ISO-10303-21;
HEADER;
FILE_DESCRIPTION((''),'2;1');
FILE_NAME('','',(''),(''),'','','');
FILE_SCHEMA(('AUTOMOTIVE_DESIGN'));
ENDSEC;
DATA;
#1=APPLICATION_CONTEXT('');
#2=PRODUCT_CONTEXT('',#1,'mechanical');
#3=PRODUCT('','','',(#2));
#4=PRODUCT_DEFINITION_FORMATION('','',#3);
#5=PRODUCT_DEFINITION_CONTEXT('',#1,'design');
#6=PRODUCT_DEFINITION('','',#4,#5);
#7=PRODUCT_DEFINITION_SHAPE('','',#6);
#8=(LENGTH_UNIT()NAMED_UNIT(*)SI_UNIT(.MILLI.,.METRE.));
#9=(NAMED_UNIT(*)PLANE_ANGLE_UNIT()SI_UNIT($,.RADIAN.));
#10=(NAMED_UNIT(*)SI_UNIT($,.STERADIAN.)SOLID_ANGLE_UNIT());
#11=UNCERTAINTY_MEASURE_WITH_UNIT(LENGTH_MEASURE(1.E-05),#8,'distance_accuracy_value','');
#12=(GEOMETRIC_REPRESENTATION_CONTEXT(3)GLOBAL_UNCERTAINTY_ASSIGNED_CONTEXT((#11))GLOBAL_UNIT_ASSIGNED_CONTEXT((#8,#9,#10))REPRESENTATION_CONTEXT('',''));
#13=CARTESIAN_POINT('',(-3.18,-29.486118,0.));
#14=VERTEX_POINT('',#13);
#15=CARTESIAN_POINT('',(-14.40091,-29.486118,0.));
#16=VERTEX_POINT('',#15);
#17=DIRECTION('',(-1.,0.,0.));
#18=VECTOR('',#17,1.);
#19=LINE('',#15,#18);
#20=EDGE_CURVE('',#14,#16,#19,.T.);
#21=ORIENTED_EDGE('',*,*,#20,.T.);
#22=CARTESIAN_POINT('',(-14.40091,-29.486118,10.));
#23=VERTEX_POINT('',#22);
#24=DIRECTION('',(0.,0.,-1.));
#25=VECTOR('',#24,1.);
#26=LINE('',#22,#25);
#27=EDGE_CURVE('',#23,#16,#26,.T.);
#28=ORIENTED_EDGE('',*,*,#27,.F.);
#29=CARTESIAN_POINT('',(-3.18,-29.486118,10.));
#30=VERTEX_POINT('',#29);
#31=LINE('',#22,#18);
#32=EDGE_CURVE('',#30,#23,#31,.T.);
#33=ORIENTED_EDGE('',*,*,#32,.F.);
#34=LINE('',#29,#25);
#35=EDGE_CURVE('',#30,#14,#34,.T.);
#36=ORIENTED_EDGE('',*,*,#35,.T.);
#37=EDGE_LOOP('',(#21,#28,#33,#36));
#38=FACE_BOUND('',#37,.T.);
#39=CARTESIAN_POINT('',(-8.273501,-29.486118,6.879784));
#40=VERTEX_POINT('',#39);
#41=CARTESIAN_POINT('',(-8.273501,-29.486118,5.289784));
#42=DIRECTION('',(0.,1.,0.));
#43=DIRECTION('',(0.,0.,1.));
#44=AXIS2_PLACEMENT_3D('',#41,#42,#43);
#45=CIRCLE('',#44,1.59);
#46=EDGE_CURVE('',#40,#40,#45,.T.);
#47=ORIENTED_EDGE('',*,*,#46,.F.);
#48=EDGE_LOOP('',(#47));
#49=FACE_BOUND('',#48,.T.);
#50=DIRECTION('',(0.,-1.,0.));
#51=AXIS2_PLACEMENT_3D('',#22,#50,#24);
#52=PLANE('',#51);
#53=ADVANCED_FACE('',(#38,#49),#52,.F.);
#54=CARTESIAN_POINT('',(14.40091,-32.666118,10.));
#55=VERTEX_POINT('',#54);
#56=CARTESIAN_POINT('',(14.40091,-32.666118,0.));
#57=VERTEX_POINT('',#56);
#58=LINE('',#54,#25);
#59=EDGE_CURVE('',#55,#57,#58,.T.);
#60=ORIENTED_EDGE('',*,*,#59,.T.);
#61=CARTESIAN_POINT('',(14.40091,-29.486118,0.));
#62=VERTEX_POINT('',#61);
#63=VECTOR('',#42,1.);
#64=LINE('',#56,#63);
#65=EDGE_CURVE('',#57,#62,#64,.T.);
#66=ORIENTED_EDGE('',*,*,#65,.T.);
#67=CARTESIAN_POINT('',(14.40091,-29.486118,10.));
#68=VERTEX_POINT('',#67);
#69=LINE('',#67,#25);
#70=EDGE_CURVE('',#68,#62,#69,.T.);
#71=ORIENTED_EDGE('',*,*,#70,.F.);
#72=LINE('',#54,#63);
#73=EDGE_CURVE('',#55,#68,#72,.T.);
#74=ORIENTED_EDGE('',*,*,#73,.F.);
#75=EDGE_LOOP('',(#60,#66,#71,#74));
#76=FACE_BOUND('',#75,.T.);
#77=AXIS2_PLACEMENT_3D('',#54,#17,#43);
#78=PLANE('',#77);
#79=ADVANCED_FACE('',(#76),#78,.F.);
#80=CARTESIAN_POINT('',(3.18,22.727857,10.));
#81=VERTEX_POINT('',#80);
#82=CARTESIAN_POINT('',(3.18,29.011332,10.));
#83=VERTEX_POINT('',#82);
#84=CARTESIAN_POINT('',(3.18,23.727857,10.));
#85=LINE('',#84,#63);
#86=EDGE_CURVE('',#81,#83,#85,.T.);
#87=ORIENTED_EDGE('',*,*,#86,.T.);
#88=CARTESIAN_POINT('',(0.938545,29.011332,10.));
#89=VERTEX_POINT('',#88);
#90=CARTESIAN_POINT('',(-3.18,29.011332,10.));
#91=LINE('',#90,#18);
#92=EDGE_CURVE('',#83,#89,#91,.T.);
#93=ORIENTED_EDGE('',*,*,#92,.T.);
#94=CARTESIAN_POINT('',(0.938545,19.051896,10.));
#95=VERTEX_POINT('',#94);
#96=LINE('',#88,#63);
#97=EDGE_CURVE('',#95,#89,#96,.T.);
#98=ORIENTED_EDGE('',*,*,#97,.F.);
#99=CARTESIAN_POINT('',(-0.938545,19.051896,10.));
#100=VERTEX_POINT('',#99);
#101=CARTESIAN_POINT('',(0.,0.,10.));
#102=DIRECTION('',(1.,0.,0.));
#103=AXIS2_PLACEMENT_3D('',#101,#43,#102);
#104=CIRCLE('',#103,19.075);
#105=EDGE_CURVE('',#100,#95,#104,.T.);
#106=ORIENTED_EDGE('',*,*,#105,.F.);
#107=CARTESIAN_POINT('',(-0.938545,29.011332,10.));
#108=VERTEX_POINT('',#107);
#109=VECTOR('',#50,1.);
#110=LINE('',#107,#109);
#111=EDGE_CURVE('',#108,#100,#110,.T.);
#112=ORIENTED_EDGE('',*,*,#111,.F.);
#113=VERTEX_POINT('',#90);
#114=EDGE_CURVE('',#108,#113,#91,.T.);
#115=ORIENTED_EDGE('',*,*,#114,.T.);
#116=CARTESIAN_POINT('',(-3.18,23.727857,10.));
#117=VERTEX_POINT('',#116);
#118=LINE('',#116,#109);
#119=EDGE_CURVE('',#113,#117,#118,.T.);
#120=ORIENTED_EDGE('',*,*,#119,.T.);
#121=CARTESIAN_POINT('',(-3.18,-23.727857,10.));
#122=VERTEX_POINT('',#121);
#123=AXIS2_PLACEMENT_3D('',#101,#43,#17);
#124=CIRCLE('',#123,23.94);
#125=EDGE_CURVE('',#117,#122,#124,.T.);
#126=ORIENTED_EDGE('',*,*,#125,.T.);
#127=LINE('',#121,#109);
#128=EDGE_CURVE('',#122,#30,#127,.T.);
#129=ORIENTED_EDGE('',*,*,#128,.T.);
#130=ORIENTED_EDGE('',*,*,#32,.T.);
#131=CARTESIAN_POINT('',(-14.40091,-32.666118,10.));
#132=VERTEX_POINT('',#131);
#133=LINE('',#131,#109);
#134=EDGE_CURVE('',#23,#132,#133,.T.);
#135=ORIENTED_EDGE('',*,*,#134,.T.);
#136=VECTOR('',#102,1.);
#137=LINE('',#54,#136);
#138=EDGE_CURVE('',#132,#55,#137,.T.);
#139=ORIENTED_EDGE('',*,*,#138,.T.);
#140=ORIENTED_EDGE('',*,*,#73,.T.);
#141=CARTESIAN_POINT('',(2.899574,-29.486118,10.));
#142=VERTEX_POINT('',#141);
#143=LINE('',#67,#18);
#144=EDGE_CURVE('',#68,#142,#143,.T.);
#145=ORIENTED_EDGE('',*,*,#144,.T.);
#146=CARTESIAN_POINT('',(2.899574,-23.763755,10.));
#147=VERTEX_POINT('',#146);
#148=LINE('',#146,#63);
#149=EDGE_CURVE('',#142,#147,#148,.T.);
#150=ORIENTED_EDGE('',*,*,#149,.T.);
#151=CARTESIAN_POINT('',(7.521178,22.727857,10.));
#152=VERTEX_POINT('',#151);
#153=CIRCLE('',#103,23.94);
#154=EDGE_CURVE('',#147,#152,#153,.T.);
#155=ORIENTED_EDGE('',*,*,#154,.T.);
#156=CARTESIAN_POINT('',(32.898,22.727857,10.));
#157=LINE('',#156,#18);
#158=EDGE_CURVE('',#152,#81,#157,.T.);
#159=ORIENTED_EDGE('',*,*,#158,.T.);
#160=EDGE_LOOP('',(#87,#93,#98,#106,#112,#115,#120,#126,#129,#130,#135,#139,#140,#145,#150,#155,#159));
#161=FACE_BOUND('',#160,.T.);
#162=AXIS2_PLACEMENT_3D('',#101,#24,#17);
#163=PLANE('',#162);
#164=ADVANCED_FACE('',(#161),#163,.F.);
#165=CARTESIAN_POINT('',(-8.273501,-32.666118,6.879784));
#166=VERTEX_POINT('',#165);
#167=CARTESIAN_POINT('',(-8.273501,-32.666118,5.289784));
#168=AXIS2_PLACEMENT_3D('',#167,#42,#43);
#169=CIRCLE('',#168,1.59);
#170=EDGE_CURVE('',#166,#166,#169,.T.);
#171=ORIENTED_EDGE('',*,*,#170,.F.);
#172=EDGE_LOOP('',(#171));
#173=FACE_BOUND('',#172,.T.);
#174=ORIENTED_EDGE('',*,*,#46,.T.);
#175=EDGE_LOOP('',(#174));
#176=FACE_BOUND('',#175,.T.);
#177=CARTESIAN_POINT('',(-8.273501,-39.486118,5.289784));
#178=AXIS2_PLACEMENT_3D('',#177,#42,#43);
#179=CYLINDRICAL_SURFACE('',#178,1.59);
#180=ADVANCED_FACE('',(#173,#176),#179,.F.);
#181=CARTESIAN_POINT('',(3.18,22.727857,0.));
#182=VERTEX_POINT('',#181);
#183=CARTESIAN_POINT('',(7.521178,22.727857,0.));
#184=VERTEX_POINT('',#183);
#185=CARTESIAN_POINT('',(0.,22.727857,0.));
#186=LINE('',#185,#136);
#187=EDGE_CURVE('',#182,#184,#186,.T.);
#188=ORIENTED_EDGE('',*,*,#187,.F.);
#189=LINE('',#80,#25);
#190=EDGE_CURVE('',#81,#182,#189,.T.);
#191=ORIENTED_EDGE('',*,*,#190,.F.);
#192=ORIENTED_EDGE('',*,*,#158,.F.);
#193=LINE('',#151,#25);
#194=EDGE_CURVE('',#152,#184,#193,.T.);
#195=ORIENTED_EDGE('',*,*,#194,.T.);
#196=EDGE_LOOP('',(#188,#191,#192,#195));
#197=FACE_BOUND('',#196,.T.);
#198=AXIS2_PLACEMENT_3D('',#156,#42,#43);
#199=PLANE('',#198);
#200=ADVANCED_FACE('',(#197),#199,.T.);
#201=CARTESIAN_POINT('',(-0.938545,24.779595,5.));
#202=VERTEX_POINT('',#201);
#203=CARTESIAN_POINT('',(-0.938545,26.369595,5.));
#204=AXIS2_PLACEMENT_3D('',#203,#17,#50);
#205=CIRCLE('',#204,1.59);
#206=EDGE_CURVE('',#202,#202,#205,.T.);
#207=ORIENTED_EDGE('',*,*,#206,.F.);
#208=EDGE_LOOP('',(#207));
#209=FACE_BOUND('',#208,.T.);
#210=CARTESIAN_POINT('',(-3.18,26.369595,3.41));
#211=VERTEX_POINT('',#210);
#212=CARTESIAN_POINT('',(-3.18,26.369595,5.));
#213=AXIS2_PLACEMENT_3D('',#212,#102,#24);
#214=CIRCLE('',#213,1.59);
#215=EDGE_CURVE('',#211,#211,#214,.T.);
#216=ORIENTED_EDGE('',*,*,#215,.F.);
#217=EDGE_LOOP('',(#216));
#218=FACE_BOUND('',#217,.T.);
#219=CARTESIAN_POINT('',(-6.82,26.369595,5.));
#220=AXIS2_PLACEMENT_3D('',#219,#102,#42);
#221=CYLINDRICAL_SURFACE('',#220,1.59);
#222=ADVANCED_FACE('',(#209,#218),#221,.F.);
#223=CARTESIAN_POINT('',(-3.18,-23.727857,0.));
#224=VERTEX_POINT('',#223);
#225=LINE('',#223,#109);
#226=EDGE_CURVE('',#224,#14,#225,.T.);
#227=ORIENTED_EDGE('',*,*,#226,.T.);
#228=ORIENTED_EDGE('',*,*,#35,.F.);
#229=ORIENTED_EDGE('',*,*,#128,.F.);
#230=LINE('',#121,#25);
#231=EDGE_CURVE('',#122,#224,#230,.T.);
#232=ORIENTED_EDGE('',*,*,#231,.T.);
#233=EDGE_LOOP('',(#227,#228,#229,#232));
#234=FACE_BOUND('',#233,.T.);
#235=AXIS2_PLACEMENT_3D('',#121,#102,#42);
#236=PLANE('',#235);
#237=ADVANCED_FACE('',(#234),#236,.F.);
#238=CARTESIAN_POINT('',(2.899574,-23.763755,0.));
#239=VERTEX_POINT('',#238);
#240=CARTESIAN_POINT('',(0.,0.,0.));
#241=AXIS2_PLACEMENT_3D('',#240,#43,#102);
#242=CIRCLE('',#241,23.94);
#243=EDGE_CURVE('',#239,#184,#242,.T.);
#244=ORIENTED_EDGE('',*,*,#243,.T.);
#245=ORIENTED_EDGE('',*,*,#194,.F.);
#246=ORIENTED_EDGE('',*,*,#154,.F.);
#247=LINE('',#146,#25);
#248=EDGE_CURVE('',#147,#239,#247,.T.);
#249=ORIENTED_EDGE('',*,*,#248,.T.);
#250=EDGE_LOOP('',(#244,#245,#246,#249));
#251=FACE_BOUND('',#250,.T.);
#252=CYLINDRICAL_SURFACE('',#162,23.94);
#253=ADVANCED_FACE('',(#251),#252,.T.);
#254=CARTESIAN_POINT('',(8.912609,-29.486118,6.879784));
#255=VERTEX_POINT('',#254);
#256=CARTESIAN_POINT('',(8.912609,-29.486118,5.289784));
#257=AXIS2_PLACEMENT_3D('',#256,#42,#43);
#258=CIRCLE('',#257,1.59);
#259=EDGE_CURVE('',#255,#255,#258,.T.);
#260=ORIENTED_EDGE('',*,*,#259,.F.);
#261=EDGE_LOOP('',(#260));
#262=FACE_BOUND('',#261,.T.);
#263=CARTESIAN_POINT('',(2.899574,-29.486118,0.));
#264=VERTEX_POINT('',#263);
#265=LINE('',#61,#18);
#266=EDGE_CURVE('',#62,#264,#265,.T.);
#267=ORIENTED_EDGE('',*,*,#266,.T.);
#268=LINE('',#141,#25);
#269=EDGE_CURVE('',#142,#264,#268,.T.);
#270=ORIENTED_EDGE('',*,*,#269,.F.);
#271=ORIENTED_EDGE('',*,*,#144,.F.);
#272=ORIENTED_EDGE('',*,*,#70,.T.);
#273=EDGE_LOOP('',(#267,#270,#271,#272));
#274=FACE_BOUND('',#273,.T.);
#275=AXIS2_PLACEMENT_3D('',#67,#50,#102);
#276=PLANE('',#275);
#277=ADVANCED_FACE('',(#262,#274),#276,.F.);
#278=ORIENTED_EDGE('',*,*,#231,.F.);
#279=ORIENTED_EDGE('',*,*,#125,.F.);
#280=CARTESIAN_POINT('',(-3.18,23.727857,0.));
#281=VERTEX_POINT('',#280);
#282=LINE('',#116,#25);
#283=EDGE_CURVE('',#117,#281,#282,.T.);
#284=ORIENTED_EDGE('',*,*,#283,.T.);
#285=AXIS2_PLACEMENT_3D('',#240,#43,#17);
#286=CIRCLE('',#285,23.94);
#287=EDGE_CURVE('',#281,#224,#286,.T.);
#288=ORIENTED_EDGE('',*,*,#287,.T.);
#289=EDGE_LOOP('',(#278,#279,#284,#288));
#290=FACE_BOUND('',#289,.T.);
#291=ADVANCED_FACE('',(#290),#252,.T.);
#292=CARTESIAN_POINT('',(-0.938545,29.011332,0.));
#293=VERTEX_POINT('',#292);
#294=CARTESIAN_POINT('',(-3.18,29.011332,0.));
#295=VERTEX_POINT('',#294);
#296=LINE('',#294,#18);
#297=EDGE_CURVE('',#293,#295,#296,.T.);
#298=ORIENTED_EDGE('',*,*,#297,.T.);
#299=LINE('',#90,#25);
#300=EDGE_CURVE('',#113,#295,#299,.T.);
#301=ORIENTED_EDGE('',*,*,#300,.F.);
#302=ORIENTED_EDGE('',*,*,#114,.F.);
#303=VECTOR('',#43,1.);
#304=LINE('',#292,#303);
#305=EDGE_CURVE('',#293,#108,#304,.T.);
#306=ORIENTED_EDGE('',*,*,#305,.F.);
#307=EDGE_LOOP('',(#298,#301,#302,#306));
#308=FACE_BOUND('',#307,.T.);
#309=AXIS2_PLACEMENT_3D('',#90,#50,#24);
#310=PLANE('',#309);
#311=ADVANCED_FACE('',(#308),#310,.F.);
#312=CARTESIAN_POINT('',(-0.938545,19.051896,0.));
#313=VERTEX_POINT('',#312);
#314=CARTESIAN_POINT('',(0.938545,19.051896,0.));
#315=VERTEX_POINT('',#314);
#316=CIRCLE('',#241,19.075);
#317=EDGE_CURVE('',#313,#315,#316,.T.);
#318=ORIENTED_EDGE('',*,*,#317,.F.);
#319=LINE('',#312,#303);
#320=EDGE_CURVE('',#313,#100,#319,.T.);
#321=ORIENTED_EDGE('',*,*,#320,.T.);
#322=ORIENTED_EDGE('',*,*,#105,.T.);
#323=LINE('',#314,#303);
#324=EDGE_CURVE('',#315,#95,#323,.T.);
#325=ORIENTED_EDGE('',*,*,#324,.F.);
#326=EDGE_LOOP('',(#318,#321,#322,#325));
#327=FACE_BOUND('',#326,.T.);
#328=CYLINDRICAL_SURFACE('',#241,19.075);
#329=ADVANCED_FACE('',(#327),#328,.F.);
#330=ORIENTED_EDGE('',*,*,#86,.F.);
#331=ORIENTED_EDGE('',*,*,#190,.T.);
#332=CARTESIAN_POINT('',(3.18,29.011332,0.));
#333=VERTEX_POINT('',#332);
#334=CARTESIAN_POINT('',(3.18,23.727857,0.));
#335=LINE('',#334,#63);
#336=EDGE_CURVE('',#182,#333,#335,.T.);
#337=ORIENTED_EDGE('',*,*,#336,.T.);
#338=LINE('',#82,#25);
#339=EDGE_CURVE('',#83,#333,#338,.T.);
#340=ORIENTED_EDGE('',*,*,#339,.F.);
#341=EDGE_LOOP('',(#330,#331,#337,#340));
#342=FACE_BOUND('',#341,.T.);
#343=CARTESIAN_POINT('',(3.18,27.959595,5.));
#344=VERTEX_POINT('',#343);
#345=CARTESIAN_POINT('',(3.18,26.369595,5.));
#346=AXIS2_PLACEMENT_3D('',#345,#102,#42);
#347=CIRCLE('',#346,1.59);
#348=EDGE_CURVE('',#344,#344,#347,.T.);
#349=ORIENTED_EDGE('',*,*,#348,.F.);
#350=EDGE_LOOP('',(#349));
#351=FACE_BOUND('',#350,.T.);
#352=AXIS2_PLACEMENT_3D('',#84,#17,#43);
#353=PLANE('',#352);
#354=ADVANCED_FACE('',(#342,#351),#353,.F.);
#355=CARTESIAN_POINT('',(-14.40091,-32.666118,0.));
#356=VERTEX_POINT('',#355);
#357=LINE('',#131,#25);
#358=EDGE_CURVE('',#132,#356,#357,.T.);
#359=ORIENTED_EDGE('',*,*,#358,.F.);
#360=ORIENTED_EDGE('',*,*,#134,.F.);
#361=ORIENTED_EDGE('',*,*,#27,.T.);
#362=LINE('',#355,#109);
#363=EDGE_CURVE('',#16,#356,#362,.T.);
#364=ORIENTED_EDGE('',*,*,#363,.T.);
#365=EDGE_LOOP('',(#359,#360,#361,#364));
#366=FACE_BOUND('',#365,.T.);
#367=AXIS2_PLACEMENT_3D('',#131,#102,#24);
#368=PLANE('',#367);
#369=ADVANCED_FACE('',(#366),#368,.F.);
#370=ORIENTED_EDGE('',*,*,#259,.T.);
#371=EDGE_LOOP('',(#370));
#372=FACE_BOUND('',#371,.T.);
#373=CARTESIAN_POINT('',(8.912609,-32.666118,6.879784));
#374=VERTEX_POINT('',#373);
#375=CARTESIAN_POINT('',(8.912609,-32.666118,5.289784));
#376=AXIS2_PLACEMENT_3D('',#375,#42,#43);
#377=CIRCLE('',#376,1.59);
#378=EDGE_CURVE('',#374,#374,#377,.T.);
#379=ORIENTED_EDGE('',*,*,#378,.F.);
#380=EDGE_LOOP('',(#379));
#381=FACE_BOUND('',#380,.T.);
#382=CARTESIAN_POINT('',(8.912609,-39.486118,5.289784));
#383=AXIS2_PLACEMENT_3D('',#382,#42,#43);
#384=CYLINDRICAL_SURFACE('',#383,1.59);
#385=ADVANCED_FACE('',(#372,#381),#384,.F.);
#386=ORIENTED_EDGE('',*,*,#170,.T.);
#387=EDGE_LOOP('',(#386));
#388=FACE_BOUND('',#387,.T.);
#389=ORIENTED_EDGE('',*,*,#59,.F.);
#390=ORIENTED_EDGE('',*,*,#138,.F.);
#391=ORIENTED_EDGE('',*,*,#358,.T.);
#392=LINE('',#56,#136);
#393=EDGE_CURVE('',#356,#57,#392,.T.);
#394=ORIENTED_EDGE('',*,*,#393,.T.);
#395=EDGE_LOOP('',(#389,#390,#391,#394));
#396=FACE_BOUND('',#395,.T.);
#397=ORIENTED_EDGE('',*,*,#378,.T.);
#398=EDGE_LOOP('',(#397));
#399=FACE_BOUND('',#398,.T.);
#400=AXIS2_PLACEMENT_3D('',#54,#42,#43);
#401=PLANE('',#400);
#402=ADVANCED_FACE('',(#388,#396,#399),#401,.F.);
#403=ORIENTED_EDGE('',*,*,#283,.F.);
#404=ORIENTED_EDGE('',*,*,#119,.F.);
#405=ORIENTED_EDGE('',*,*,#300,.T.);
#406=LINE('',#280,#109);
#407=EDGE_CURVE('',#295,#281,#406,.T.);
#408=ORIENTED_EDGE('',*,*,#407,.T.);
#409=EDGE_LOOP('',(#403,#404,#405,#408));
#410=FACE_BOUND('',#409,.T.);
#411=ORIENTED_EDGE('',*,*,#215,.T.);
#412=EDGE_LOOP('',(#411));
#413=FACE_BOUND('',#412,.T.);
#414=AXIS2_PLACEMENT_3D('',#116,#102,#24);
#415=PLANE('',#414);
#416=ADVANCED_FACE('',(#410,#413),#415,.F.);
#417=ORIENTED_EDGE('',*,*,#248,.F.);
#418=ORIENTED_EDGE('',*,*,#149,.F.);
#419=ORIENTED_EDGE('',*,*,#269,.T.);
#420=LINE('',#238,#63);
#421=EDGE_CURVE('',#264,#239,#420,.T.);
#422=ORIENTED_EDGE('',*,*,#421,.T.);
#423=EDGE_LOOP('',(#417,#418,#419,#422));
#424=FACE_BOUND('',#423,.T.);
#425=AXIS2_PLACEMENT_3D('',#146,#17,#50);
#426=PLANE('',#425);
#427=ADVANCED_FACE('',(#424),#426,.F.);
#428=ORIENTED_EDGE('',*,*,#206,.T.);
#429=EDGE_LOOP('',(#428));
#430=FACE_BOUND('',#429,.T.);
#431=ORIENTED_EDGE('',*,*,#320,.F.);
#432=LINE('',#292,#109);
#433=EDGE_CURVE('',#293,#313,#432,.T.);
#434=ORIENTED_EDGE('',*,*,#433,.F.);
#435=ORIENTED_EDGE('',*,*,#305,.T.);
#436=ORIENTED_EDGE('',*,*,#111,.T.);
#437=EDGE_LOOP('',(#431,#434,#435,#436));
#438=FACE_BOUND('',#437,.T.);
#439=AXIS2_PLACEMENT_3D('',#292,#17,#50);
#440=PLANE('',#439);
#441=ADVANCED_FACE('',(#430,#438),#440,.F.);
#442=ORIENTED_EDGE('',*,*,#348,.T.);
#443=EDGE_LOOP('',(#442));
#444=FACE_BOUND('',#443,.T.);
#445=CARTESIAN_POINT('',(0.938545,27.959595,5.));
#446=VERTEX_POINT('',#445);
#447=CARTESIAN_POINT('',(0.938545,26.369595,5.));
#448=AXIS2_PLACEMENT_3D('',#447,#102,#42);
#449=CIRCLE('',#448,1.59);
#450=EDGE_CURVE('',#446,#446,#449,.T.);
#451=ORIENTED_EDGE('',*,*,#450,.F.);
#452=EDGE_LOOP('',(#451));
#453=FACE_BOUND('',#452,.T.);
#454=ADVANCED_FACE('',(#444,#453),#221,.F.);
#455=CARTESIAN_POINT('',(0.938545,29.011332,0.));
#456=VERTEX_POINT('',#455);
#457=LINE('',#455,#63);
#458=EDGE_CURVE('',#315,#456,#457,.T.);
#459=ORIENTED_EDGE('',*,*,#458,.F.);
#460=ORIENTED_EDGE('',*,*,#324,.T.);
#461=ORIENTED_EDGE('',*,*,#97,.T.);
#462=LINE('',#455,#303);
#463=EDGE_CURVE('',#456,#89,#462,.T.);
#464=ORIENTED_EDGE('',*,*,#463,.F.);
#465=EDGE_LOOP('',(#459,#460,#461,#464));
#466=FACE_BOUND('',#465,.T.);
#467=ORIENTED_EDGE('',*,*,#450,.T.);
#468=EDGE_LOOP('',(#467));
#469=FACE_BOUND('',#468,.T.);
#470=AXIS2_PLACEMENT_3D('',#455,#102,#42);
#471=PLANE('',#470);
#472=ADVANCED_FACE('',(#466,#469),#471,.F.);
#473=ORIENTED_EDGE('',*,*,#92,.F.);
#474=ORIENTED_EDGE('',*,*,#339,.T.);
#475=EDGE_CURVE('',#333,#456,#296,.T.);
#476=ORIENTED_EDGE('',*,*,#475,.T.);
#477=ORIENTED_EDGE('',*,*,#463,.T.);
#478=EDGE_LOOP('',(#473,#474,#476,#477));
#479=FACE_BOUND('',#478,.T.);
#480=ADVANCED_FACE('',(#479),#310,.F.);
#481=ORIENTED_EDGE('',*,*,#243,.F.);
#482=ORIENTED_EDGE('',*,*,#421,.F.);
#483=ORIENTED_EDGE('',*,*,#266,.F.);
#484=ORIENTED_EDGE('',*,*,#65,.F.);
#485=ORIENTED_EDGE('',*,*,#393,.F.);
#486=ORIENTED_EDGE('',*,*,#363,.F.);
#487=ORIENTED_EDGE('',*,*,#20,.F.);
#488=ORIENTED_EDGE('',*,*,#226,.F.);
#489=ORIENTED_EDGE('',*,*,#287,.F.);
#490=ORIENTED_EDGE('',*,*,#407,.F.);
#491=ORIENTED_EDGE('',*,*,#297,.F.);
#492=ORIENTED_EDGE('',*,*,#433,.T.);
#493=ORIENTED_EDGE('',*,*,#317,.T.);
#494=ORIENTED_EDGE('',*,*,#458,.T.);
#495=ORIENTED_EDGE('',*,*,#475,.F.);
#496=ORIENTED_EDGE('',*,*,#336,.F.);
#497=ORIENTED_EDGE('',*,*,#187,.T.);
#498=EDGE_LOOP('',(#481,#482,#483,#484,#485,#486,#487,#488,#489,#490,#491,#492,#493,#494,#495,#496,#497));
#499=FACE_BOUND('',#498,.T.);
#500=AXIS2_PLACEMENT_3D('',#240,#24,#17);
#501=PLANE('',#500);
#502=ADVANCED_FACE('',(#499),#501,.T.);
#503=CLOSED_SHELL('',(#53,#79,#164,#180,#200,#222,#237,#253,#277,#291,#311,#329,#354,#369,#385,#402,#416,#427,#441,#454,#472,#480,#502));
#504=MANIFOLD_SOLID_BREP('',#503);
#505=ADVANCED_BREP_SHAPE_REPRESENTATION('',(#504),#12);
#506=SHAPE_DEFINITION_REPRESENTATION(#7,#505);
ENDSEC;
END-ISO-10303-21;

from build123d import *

# Parameters (mm, degrees)
BOSS_EXTRUDE1_DEPTH = 10
SKETCH3_R           = 19.075
CUT_EXTRUDE1_DEPTH  = 11
SKETCH4_W           = 1.877089928
SKETCH4_H           = 9.959436021
CUT_EXTRUDE2_DEPTH  = 11
SKETCH5_R           = 1.59
CUT_EXTRUDE3_DEPTH  = 10
SKETCH6_R           = 1.59
CUT_EXTRUDE4_DEPTH  = 10
SKETCH7_W           = 10
SKETCH7_H           = 1
CUT_EXTRUDE5_DEPTH  = 29.718


with BuildPart() as part:
    # Sketch2 → Boss-Extrude1 (new body)
    with BuildSketch(Plane.XY):
        with BuildLine():
            Line((14.400910076, -32.666118303), (-14.400910076, -32.666118303))
            Line((-14.400910076, -32.666118303), (-14.400910076, -29.486118303))
            Line((-14.400910076, -29.486118303), (-3.18, -29.486118303))
            Line((-3.18, -29.486118303), (-3.18, -23.727857046))
            ThreePointArc((-3.18, -23.727857046), (-23.94, 0), (-3.18, 23.727857046))
            Line((-3.18, 23.727857046), (-3.18, 29.011332471))
            Line((-3.18, 29.011332471), (3.18, 29.011332471))
            Line((3.18, 29.011332471), (3.18, 23.727857046))
            ThreePointArc((3.18, 23.727857046), (23.939582665, -0.141357095), (2.89957421, -23.763755372))
            Line((2.89957421, -23.763755372), (2.89957421, -29.486118303))
            Line((2.89957421, -29.486118303), (14.400910076, -29.486118303))
            Line((14.400910076, -29.486118303), (14.400910076, -32.666118303))
        make_face()
    extrude(amount=BOSS_EXTRUDE1_DEPTH)

    # Sketch3 → Cut-Extrude1 (cut, through all)
    with BuildSketch(Plane.XY.offset(10)):
        Circle(SKETCH3_R)
    extrude(amount=-CUT_EXTRUDE1_DEPTH, mode=Mode.SUBTRACT)

    # Sketch4 → Cut-Extrude2 (cut, through all)
    with BuildSketch(Plane.XY.offset(10)):
        with Locations((0, 24.031614461)):
            Rectangle(SKETCH4_W, SKETCH4_H)
    extrude(amount=-CUT_EXTRUDE2_DEPTH, mode=Mode.SUBTRACT)

    # Sketch5 → Cut-Extrude3 (cut)
    with BuildSketch(Plane(origin=(3.18, 0, 0), x_dir=(0, 0, -1), z_dir=(1, 0, 0))):
        with Locations((-5, 26.369594759)):
            Circle(SKETCH5_R)
    extrude(amount=-CUT_EXTRUDE3_DEPTH, mode=Mode.SUBTRACT)

    # Sketch6 → Cut-Extrude4 (cut)
    with BuildSketch(Plane(origin=(0, -29.486118303, 0), x_dir=(1, 0, 0), z_dir=(0, 1, 0))):
        with Locations((8.912608952, -5.289784221)):
            Circle(SKETCH6_R)
        with Locations((-8.273500585, -5.289784221)):
            Circle(SKETCH6_R)
    extrude(amount=-CUT_EXTRUDE4_DEPTH, mode=Mode.SUBTRACT)

    # Sketch7 → Cut-Extrude5 (cut)
    with BuildSketch(Plane(origin=(3.18, 0, 0), x_dir=(0, 0, -1), z_dir=(1, 0, 0))):
        with Locations((-5, 23.227857046)):
            Rectangle(SKETCH7_W, SKETCH7_H)
    extrude(amount=CUT_EXTRUDE5_DEPTH, mode=Mode.SUBTRACT)


solid = part.part
